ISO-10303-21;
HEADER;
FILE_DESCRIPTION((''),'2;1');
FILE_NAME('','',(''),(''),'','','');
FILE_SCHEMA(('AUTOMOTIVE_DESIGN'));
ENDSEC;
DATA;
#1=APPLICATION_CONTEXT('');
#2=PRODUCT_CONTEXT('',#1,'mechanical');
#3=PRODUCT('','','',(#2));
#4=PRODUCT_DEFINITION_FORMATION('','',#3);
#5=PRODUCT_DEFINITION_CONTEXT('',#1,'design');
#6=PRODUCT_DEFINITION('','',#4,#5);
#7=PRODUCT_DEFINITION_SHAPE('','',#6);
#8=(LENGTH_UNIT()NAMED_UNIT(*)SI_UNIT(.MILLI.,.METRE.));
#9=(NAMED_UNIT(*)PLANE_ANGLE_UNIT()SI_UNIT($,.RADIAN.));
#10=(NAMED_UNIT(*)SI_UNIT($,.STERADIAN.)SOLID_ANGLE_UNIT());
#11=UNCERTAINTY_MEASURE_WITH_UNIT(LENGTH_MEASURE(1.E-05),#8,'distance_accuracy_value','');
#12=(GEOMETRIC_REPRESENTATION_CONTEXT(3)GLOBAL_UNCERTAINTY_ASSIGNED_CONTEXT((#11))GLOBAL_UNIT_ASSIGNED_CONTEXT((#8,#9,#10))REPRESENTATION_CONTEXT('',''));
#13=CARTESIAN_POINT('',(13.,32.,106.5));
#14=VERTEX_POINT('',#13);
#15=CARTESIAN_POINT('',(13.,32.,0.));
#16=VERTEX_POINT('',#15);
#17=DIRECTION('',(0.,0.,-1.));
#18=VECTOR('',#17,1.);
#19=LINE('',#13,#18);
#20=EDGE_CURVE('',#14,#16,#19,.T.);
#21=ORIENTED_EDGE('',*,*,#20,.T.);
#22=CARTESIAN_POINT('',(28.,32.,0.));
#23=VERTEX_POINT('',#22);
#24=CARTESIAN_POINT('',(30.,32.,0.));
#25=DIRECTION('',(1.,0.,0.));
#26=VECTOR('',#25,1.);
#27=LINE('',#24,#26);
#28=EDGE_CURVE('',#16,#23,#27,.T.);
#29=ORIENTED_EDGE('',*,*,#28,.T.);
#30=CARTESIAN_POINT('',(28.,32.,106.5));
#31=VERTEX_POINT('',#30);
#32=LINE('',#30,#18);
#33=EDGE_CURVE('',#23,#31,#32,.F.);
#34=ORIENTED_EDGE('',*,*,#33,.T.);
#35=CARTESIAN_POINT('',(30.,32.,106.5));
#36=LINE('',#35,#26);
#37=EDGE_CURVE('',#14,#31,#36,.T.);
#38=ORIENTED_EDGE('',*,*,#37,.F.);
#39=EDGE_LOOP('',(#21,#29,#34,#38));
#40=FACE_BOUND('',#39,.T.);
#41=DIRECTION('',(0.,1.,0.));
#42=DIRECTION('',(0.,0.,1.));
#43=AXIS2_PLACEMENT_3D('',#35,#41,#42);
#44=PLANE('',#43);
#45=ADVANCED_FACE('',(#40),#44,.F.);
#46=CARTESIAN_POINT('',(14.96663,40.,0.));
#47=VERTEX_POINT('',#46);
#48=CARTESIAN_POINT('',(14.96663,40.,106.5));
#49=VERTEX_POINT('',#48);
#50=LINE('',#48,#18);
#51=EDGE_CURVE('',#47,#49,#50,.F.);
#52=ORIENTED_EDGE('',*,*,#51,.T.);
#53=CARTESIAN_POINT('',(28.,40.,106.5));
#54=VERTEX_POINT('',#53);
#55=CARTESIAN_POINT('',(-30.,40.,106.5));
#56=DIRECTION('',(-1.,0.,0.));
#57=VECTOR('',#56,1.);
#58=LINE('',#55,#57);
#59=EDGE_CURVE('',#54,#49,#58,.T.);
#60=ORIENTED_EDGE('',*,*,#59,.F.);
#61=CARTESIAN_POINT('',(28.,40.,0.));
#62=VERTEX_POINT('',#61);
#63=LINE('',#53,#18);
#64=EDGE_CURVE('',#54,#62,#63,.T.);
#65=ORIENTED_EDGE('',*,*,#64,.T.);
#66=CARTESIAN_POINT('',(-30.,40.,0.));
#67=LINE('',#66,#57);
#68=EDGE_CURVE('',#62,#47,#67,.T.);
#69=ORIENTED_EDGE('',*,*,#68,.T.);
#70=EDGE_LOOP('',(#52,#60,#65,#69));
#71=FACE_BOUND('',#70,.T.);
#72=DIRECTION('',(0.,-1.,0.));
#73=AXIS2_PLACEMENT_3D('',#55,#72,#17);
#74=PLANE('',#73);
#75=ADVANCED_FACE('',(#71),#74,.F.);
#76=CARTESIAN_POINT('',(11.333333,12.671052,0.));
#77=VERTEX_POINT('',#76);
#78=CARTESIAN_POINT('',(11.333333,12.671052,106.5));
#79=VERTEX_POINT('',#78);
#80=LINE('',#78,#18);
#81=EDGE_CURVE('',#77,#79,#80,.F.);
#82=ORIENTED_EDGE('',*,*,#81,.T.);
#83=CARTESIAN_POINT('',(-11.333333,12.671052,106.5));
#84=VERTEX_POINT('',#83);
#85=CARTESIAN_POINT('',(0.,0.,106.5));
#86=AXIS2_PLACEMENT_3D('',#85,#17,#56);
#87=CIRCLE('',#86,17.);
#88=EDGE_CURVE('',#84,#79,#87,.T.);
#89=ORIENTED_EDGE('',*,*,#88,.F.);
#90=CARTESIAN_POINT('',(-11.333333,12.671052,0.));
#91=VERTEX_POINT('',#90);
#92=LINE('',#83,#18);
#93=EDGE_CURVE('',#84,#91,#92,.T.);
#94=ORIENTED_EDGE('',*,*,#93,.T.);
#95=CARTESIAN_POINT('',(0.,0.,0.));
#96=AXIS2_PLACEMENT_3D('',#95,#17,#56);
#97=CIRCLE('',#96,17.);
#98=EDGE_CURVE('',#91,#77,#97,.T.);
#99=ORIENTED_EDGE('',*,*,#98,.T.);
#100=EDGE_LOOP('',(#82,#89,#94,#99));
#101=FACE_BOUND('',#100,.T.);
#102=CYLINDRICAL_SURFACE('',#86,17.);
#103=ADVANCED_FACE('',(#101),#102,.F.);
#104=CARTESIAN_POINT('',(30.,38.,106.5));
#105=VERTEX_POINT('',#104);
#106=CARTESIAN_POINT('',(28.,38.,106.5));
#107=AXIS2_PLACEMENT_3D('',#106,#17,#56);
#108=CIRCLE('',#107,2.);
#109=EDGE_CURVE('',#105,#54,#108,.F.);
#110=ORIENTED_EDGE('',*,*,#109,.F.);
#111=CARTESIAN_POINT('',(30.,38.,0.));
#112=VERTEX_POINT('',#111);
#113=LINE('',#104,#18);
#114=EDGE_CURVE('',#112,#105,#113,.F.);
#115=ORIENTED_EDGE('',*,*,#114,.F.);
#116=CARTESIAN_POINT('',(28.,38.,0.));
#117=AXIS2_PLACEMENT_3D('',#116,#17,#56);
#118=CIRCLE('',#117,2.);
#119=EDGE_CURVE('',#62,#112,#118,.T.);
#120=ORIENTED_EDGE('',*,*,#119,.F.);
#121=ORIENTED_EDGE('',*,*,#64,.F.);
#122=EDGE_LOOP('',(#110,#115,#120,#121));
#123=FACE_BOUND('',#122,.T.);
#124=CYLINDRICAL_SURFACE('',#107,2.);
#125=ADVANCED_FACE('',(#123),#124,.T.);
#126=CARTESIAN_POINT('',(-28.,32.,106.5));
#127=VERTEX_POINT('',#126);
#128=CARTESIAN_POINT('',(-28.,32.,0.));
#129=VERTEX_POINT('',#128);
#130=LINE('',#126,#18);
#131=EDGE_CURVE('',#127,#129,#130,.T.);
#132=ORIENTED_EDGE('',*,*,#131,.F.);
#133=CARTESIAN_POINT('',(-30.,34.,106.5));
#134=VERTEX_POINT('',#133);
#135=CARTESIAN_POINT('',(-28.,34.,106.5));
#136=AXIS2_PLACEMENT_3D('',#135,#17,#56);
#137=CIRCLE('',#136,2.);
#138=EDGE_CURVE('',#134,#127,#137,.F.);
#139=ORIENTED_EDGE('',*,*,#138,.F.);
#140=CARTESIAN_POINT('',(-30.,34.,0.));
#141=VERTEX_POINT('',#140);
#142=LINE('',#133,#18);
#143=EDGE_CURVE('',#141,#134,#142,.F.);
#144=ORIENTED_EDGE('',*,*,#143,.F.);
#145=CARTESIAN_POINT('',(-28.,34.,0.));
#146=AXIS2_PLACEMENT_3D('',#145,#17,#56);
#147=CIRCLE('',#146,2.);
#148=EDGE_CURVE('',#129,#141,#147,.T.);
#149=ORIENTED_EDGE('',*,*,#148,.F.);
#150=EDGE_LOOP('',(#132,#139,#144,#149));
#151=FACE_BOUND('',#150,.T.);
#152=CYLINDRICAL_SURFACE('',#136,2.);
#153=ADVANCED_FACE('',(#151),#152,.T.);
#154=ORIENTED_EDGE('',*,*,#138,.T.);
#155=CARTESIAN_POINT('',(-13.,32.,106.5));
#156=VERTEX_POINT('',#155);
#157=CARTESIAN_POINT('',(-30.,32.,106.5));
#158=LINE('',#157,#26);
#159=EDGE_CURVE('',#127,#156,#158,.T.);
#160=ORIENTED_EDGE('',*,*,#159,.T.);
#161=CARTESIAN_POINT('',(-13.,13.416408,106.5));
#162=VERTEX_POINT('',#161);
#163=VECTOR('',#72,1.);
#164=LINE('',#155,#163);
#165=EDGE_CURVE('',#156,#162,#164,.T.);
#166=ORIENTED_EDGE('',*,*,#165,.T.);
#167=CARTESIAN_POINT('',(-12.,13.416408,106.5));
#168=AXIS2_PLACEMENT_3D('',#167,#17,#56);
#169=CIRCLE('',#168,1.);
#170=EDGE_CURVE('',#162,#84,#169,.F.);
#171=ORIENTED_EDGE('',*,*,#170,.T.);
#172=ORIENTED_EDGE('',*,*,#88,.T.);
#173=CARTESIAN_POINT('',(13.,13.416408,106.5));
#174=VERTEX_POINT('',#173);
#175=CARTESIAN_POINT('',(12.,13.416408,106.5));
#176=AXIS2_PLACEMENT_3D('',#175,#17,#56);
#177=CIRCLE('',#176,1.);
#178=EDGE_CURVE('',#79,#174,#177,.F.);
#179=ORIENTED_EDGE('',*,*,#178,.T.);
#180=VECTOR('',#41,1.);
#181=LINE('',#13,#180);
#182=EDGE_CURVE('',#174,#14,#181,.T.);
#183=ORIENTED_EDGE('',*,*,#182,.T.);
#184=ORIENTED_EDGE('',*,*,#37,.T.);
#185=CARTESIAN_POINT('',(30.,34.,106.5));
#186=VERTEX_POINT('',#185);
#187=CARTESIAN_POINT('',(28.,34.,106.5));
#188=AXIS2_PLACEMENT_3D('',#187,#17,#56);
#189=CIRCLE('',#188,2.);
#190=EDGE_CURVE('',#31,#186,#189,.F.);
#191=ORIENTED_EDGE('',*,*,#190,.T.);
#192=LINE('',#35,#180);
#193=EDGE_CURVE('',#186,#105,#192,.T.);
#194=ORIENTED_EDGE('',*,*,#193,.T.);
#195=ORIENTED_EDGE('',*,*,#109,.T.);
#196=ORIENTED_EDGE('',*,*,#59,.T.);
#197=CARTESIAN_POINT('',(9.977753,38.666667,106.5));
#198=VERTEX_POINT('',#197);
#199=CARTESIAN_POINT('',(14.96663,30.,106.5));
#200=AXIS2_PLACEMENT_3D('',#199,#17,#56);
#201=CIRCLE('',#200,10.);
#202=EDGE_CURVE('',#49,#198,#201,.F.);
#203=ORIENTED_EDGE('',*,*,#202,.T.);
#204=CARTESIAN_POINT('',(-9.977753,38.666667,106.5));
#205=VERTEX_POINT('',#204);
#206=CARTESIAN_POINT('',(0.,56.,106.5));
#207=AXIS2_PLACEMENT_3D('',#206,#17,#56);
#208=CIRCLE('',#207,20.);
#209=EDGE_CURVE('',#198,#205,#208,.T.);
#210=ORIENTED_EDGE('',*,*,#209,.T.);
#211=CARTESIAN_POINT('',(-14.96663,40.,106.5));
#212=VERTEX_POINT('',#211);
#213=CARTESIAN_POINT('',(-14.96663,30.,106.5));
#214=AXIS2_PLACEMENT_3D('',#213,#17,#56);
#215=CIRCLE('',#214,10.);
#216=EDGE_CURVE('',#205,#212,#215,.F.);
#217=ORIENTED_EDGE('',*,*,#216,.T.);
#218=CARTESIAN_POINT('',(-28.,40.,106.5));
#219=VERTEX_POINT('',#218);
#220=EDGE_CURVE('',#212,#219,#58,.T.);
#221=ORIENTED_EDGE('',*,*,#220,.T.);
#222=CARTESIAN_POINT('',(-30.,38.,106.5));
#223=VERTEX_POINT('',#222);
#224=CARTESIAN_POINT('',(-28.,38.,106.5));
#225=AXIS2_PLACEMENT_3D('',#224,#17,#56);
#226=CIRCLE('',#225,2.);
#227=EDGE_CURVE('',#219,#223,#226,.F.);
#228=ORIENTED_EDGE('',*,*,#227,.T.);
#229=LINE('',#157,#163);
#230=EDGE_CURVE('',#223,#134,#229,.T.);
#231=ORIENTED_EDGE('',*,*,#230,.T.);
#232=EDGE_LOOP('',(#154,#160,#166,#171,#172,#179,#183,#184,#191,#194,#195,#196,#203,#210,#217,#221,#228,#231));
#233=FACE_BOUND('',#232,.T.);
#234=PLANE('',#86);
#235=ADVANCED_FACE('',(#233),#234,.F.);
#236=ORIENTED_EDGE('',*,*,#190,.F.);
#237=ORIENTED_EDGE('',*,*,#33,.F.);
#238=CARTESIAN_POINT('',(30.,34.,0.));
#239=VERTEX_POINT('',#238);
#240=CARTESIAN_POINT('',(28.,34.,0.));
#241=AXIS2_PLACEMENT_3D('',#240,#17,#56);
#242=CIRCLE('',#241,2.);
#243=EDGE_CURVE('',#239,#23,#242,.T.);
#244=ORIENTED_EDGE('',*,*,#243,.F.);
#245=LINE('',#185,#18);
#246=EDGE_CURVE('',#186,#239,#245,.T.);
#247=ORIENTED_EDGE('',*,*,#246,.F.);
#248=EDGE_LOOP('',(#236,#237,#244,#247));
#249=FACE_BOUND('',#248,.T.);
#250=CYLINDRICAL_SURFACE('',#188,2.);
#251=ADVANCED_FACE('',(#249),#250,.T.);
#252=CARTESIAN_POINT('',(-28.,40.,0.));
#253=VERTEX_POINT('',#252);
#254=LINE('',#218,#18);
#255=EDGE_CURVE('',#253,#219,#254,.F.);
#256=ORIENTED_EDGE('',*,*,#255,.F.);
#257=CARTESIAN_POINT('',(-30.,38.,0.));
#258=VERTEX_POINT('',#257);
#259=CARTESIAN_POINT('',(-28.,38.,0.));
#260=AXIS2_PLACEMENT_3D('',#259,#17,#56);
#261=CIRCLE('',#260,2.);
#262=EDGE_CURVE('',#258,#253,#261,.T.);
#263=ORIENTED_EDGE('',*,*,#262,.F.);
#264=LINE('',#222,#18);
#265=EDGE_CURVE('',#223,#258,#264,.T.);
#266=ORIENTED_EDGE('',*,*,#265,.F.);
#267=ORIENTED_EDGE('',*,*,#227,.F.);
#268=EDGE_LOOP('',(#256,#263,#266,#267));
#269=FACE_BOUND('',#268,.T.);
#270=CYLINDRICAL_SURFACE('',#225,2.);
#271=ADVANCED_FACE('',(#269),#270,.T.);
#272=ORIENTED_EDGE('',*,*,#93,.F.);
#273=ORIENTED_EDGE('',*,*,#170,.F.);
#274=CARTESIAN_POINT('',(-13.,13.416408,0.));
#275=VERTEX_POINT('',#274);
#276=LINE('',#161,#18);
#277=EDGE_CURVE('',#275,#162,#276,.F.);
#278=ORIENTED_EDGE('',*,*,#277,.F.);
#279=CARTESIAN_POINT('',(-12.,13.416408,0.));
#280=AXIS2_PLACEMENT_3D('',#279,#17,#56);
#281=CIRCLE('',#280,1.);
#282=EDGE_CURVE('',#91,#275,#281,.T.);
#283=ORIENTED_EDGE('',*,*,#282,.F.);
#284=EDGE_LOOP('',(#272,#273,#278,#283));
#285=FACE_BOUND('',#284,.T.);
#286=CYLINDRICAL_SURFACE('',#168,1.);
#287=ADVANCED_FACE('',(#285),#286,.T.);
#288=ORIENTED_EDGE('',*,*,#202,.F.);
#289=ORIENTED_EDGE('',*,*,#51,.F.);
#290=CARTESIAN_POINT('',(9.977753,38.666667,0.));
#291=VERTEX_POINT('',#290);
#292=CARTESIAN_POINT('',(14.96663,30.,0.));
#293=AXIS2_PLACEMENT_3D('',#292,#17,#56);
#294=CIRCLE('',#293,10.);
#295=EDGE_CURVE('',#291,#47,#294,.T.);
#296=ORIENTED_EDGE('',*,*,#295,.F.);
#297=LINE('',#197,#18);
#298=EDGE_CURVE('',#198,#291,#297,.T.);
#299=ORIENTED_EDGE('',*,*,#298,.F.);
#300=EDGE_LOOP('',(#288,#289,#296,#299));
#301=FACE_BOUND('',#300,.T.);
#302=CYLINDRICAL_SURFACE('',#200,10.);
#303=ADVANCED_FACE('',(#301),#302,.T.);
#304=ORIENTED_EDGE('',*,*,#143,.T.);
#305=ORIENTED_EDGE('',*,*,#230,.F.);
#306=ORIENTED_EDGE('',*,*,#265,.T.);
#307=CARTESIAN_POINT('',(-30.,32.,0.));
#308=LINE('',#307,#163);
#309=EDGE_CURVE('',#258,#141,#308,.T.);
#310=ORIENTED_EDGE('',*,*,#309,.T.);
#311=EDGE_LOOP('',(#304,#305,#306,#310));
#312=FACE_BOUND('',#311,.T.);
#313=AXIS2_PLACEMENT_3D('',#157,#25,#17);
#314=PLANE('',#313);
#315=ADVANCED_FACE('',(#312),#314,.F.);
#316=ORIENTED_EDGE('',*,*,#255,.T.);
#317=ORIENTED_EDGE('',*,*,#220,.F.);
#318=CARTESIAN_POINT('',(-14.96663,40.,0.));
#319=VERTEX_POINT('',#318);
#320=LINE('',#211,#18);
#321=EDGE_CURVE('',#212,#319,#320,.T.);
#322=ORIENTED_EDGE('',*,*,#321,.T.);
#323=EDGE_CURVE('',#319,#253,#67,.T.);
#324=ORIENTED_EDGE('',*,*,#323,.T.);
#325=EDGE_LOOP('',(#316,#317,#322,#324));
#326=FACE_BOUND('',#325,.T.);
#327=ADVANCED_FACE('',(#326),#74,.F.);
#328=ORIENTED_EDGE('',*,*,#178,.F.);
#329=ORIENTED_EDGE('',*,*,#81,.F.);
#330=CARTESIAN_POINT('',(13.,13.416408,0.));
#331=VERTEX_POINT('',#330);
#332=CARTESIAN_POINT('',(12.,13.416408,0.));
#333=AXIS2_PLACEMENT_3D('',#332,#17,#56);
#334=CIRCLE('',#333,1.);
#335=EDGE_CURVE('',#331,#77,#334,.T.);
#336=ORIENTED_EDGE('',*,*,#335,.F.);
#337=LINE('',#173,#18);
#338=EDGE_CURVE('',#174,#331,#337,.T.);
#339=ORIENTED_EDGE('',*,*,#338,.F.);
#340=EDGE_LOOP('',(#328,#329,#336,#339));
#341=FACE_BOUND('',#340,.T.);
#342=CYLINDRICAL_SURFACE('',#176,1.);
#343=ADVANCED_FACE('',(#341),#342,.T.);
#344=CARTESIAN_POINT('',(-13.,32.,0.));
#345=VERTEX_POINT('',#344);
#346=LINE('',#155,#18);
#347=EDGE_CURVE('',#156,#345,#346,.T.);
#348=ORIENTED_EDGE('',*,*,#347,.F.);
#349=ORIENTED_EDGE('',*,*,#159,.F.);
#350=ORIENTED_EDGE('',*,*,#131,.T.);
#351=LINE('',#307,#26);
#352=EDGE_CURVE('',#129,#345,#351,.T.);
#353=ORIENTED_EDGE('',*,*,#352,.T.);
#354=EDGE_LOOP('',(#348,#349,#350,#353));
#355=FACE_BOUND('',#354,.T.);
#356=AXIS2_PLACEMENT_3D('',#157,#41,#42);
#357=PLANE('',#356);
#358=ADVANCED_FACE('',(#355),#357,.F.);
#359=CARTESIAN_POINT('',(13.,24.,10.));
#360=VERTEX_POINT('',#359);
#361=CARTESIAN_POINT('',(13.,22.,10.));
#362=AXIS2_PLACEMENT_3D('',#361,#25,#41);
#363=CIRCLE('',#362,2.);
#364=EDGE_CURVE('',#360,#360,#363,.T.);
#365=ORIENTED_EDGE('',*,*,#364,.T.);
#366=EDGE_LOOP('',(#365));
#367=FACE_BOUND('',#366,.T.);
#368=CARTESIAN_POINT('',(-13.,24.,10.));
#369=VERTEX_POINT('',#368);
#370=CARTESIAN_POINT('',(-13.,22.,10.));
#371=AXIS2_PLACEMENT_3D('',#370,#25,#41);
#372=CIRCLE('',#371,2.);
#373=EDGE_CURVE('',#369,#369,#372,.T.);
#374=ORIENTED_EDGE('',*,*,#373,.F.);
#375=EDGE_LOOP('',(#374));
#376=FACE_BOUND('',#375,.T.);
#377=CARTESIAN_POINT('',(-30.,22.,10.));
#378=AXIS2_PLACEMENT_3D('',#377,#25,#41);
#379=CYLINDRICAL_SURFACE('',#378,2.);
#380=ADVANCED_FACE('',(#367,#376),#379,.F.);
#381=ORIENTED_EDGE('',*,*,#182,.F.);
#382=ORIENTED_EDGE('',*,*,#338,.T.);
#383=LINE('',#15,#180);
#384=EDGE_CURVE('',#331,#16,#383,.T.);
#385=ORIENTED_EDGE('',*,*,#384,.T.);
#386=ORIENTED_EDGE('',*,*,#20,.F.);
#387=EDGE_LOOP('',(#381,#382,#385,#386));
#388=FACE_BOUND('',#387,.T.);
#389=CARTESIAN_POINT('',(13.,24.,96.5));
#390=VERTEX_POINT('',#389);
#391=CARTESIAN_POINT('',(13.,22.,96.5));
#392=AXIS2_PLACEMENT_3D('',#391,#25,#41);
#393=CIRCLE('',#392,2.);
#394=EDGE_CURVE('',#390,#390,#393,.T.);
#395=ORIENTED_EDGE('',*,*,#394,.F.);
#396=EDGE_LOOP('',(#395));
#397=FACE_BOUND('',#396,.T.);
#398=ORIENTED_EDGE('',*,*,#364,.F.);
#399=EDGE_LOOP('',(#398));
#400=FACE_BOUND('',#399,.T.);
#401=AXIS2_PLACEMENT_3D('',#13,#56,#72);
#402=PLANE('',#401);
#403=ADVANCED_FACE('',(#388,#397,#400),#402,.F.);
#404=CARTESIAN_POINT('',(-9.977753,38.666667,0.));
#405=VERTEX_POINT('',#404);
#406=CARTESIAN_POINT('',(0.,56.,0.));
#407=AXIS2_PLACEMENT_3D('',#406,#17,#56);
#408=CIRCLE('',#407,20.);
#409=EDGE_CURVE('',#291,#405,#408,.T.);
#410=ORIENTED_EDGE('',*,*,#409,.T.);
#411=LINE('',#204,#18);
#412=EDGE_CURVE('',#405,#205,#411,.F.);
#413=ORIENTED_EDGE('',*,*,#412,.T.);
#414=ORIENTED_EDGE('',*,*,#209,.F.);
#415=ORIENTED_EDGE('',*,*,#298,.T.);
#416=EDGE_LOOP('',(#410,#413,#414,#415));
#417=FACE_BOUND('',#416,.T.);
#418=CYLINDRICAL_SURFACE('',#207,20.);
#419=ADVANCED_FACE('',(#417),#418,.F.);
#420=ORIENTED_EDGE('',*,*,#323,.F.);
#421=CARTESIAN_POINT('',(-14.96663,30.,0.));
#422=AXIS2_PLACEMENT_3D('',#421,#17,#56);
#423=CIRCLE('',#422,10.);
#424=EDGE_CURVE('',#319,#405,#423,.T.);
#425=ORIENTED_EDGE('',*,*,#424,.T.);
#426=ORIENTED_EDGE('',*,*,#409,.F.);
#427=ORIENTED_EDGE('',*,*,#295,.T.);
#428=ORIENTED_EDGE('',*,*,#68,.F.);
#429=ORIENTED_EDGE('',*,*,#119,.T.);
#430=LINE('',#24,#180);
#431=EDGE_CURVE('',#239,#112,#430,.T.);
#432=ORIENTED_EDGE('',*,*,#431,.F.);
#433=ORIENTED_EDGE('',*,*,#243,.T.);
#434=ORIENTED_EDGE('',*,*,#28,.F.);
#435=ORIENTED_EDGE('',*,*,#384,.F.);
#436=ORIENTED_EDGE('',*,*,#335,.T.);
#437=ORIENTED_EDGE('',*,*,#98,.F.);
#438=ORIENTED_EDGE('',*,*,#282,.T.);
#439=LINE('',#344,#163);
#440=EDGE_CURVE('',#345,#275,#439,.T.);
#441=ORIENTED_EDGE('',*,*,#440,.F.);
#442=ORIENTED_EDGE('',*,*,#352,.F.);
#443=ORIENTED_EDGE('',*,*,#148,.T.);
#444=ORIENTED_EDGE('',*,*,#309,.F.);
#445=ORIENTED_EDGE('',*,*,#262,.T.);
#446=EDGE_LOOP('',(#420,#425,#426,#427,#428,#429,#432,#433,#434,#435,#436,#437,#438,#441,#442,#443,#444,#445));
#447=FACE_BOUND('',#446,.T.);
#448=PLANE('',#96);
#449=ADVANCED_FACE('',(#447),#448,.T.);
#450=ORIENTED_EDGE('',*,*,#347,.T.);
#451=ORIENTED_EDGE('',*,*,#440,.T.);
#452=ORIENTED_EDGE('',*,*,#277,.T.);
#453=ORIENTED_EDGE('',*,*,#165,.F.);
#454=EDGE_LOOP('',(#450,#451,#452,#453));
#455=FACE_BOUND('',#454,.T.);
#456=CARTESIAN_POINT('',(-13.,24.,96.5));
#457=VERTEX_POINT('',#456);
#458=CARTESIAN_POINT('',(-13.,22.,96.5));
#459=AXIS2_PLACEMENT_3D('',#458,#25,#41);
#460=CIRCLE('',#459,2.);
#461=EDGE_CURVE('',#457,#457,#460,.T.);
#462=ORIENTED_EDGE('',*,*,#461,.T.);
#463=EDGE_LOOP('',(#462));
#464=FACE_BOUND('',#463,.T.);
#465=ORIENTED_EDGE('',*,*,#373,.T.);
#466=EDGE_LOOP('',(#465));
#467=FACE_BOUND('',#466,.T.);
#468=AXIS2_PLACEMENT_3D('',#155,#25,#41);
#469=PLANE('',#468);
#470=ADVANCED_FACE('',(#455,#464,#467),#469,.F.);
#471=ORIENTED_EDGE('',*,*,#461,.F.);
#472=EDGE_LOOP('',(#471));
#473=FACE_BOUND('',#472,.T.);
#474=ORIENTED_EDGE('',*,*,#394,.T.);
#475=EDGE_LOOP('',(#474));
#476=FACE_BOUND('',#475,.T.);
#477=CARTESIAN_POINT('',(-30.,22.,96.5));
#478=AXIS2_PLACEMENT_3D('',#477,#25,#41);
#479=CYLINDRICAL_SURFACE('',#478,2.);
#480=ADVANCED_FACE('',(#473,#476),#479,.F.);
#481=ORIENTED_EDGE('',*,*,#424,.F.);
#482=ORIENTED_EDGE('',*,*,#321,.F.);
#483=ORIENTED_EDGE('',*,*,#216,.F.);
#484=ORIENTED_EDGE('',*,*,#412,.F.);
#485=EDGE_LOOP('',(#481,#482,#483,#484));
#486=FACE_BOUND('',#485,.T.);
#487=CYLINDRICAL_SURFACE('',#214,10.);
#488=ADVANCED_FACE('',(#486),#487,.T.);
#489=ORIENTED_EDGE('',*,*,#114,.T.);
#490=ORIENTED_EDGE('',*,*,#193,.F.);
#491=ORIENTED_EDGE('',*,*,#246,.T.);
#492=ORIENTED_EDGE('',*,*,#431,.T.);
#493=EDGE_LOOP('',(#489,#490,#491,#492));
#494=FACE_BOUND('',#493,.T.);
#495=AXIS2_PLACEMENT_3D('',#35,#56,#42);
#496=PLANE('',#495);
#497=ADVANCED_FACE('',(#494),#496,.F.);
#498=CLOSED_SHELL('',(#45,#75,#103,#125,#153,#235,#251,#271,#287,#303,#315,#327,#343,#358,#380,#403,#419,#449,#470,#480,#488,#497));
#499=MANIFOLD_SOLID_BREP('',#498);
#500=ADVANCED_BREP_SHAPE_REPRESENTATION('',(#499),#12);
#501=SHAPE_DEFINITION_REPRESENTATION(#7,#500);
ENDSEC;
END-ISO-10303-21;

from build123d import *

# Parameters (mm, degrees)
AUFSATZ_LINEAR_AUSTRAGEN1_DEPTH = 106.5
SKIZZE2_R                       = 20
SCHNITT_LINEAR_AUSTRAGEN1_DEPTH = 118.653091757
VERRUNDUNG1_R                   = 10
VERRUNDUNG2_R                   = 2
VERRUNDUNG3_R                   = 1
SKIZZE3_R                       = 2
SCHNITT_LINEAR_AUSTRAGEN2_DEPTH = 122.619283011


with BuildPart() as part:
    # Skizze1 → Aufsatz-Linear austragen1 (new body)
    with BuildSketch(Plane.XY):
        with BuildLine():
            Line((-30, 32), (-13, 32))
            Line((-13, 32), (-13, 10.95445115))
            ThreePointArc((-13, 10.95445115), (0, 17), (13, 10.95445115))
            Line((13, 10.95445115), (13, 32))
            Line((13, 32), (30, 32))
            Line((30, 32), (30, 40))
            Line((30, 40), (-30, 40))
            Line((-30, 40), (-30, 32))
        make_face()
    extrude(amount=AUFSATZ_LINEAR_AUSTRAGEN1_DEPTH)

    # Skizze2 → Schnitt-Linear austragen1 (cut, through all)
    with BuildSketch(Plane(origin=(0, 0, 0), x_dir=(-1, 0, 0), z_dir=(0, 0, -1))):
        with Locations((0, 56)):
            Circle(SKIZZE2_R)
    extrude(amount=-SCHNITT_LINEAR_AUSTRAGEN1_DEPTH, mode=Mode.SUBTRACT)

    # Verrundung1
    verrundung1_edges = [part.edges().sort_by_distance(p)[0] for p in [
        (-12, 40, 53.25),
        (12, 40, 53.25),
    ]]
    fillet(verrundung1_edges, radius=VERRUNDUNG1_R)

    # Verrundung2
    verrundung2_edges = [part.edges().sort_by_distance(p)[0] for p in [
        (-30, 40, 53.25),
        (30, 40, 53.25),
        (30, 32, 53.25),
        (-30, 32, 53.25),
    ]]
    fillet(verrundung2_edges, radius=VERRUNDUNG2_R)

    # Verrundung3
    verrundung3_edges = [part.edges().sort_by_distance(p)[0] for p in [
        (13, 10.95445115, 53.25),
        (-13, 10.95445115, 53.25),
    ]]
    fillet(verrundung3_edges, radius=VERRUNDUNG3_R)

    # Skizze3 → Schnitt-Linear austragen2 (cut, through all)
    with BuildSketch(Plane(origin=(13, 0, 0), x_dir=(0, 0, -1), z_dir=(1, 0, 0))):
        with Locations(Location((-10, 22, 0), (0, 0, 90))):
            Circle(SKIZZE3_R)
        with Locations(Location((-96.5, 22, 0), (0, 0, 90))):
            Circle(SKIZZE3_R)
    extrude(amount=-SCHNITT_LINEAR_AUSTRAGEN2_DEPTH, mode=Mode.SUBTRACT)


solid = part.part
